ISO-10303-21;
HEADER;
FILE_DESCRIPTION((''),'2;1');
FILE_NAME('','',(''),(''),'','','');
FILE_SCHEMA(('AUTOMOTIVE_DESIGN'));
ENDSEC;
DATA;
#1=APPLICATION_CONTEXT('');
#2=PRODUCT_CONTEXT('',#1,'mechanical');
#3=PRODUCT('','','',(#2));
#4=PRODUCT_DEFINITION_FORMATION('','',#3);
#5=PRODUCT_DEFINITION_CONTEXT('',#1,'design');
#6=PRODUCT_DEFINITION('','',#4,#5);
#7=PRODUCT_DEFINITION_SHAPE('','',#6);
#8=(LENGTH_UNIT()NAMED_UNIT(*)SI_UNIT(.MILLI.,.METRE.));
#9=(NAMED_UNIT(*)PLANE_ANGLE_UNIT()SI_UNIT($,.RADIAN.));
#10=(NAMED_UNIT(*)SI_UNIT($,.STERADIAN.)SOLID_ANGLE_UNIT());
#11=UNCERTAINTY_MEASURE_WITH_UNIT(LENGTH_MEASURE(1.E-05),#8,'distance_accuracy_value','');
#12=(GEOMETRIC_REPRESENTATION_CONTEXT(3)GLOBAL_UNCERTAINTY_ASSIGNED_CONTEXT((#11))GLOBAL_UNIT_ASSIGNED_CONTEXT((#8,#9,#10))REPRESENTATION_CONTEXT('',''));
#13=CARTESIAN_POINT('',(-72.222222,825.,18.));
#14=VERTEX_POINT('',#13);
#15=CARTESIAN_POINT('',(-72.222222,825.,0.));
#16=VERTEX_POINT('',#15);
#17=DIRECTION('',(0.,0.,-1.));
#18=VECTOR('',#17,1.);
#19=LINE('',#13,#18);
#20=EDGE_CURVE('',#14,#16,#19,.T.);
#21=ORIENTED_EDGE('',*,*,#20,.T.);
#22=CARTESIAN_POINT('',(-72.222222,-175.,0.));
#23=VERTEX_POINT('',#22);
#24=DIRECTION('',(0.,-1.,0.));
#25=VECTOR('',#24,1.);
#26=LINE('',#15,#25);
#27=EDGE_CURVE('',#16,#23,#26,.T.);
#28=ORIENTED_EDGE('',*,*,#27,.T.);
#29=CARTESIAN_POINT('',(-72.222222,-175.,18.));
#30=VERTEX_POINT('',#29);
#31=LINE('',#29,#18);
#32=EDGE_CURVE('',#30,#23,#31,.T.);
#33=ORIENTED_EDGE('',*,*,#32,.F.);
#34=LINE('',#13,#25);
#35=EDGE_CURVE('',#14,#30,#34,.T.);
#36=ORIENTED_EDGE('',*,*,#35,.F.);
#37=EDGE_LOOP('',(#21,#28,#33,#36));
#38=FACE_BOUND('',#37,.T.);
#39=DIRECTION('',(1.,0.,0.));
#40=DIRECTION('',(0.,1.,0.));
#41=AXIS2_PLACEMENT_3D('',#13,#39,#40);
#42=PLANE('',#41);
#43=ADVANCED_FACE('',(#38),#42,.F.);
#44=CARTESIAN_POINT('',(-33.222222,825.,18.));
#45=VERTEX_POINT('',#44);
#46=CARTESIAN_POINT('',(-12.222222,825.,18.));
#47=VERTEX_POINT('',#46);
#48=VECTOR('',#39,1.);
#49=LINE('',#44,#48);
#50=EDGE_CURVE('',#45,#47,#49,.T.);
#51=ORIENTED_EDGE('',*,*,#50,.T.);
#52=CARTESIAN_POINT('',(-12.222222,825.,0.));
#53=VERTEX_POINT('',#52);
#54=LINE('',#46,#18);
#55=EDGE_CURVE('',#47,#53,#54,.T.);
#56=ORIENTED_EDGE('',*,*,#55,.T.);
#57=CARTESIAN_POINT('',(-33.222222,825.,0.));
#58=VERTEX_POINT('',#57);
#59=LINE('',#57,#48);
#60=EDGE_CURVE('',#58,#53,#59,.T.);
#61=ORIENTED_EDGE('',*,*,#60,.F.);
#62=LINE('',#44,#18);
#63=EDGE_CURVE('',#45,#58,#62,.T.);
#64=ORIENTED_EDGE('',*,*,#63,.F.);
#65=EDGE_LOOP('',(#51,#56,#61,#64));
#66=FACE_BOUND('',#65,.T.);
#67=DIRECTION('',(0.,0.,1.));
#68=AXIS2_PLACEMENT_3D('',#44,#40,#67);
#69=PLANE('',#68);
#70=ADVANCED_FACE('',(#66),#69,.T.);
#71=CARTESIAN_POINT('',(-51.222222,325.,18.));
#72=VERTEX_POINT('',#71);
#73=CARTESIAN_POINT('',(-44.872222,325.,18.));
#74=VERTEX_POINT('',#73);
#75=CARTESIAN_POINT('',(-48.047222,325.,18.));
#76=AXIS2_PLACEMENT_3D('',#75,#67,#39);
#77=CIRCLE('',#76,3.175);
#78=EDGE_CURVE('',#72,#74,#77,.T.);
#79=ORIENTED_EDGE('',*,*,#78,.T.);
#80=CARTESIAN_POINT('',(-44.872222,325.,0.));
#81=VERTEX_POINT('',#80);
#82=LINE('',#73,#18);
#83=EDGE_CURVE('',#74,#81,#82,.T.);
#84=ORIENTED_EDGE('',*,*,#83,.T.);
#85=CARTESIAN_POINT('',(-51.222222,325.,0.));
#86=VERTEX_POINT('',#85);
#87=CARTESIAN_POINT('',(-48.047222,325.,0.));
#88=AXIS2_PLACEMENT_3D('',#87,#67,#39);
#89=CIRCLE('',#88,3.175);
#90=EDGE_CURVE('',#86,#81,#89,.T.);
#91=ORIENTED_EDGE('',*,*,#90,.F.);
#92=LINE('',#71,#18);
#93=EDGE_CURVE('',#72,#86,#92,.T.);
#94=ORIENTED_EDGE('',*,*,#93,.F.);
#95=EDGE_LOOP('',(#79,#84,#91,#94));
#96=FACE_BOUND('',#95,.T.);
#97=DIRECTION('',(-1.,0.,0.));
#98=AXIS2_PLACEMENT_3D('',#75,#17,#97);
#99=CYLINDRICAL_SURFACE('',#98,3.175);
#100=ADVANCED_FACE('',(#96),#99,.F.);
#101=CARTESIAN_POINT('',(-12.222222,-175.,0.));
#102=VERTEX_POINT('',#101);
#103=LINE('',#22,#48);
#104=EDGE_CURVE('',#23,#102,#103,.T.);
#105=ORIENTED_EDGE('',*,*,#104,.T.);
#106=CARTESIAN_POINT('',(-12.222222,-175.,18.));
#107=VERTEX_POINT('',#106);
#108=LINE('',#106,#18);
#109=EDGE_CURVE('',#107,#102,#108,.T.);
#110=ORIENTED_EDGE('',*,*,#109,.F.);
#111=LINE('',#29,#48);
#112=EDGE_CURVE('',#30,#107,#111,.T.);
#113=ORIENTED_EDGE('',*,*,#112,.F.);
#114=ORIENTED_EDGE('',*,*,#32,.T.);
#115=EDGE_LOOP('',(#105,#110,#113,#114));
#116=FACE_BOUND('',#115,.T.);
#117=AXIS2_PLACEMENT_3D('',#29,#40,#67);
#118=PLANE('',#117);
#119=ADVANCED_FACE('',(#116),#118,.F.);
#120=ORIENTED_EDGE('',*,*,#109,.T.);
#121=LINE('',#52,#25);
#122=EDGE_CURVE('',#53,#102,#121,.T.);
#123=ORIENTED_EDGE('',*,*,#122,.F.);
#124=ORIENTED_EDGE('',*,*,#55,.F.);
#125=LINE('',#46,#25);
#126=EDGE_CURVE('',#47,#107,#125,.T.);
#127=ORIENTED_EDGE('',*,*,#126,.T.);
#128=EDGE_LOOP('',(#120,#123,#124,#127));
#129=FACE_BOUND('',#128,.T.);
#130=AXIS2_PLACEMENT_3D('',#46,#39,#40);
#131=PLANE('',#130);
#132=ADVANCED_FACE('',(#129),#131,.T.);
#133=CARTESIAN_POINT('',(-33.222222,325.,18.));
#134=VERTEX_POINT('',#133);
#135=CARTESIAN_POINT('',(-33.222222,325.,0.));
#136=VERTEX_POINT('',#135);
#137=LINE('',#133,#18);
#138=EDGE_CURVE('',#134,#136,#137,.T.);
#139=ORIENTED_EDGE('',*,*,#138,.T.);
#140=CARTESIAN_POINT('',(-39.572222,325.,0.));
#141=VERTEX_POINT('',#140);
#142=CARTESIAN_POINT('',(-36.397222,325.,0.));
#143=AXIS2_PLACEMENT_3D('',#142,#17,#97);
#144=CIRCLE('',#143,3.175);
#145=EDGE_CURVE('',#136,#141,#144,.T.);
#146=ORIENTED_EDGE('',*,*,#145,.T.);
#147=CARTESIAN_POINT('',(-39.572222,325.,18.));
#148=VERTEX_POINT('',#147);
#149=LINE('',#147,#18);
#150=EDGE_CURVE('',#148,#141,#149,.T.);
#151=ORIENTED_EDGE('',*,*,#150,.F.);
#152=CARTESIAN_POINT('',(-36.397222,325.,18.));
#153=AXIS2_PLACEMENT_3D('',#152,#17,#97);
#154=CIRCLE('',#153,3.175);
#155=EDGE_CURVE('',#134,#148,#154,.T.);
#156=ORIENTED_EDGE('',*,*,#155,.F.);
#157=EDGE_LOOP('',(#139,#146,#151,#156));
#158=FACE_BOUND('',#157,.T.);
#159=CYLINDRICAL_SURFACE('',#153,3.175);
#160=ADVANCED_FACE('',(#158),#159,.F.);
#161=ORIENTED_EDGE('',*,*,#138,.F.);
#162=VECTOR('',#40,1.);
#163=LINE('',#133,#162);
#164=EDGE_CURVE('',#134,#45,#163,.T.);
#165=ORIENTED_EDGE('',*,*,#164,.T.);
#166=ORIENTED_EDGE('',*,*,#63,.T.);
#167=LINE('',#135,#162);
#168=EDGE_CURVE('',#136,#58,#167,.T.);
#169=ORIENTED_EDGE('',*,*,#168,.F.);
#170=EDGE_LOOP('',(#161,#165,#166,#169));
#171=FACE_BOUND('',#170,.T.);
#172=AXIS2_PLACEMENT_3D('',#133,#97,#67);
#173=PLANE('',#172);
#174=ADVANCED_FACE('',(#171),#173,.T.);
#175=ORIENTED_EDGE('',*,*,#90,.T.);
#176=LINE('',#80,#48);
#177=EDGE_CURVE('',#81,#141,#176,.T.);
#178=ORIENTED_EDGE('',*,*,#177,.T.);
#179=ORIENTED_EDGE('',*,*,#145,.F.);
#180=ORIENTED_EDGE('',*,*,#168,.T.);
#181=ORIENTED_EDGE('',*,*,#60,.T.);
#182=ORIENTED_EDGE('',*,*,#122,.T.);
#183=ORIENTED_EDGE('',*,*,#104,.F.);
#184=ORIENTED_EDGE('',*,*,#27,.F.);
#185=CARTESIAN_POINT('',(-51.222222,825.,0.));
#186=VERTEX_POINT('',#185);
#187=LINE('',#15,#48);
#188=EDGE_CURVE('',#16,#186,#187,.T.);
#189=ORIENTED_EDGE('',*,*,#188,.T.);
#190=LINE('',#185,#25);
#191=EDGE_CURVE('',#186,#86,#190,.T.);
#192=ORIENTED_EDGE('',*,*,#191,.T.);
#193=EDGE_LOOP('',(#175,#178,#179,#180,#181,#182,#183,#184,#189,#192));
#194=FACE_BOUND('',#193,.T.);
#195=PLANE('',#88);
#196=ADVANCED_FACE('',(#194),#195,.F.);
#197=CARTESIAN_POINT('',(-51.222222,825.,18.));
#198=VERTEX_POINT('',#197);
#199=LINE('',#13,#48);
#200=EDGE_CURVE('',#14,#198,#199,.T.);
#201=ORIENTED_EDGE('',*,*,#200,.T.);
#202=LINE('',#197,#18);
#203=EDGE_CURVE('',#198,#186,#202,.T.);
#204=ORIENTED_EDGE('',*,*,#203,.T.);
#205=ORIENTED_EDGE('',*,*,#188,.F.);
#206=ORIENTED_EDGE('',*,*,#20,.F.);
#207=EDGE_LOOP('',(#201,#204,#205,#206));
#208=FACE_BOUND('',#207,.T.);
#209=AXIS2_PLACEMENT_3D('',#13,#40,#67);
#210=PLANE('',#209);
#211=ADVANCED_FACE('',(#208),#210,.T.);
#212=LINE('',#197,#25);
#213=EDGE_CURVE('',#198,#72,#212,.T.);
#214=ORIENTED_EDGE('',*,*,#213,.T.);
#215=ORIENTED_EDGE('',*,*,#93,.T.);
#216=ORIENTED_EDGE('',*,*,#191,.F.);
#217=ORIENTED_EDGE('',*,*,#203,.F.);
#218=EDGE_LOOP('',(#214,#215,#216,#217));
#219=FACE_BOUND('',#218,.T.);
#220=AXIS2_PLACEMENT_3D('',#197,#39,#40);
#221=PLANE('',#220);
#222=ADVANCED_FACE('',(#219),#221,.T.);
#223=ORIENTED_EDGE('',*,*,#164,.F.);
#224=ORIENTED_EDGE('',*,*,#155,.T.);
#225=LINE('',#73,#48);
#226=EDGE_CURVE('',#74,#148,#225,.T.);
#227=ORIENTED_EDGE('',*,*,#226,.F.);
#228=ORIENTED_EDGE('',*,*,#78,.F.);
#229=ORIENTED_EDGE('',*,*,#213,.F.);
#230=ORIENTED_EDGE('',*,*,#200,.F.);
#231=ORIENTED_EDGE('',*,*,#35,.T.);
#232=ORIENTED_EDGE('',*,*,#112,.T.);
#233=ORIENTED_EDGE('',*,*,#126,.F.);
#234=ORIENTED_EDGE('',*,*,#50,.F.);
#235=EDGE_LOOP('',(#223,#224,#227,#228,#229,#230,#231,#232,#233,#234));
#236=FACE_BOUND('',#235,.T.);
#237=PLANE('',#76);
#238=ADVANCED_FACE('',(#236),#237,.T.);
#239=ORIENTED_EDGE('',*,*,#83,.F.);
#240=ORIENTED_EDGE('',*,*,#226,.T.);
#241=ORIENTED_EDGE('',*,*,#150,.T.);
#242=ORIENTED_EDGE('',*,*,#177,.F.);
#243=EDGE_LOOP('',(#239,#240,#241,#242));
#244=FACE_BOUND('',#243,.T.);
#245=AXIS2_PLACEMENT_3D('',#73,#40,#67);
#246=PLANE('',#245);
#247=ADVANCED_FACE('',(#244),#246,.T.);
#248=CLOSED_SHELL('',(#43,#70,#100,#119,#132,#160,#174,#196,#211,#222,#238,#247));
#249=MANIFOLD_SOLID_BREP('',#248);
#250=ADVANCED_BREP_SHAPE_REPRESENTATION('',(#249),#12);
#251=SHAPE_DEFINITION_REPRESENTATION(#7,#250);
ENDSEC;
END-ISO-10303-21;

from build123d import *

# Parameters (mm, degrees)
ESTRUSIONE_ESTRUSIONE1_DEPTH = 18


with BuildPart() as part:
    # Schizzo1 → Estrusione-Estrusione1 (new body)
    with BuildSketch(Plane.XY):
        with BuildLine():
            Line((-51.222222222, 825), (-51.222222222, 325))
            ThreePointArc((-51.222222222, 325), (-48.047222222, 321.825), (-44.872222222, 325))
            Line((-44.872222222, 325), (-39.572222222, 325))
            ThreePointArc((-39.572222222, 325), (-36.397222222, 321.825), (-33.222222222, 325))
            Line((-33.222222222, 325), (-33.222222222, 825))
            Line((-33.222222222, 825), (-12.222222222, 825))
            Line((-12.222222222, 825), (-12.222222222, -175))
            Line((-12.222222222, -175), (-72.222222222, -175))
            Line((-72.222222222, -175), (-72.222222222, 825))
            Line((-72.222222222, 825), (-51.222222222, 825))
        make_face()
    extrude(amount=ESTRUSIONE_ESTRUSIONE1_DEPTH)


solid = part.part
